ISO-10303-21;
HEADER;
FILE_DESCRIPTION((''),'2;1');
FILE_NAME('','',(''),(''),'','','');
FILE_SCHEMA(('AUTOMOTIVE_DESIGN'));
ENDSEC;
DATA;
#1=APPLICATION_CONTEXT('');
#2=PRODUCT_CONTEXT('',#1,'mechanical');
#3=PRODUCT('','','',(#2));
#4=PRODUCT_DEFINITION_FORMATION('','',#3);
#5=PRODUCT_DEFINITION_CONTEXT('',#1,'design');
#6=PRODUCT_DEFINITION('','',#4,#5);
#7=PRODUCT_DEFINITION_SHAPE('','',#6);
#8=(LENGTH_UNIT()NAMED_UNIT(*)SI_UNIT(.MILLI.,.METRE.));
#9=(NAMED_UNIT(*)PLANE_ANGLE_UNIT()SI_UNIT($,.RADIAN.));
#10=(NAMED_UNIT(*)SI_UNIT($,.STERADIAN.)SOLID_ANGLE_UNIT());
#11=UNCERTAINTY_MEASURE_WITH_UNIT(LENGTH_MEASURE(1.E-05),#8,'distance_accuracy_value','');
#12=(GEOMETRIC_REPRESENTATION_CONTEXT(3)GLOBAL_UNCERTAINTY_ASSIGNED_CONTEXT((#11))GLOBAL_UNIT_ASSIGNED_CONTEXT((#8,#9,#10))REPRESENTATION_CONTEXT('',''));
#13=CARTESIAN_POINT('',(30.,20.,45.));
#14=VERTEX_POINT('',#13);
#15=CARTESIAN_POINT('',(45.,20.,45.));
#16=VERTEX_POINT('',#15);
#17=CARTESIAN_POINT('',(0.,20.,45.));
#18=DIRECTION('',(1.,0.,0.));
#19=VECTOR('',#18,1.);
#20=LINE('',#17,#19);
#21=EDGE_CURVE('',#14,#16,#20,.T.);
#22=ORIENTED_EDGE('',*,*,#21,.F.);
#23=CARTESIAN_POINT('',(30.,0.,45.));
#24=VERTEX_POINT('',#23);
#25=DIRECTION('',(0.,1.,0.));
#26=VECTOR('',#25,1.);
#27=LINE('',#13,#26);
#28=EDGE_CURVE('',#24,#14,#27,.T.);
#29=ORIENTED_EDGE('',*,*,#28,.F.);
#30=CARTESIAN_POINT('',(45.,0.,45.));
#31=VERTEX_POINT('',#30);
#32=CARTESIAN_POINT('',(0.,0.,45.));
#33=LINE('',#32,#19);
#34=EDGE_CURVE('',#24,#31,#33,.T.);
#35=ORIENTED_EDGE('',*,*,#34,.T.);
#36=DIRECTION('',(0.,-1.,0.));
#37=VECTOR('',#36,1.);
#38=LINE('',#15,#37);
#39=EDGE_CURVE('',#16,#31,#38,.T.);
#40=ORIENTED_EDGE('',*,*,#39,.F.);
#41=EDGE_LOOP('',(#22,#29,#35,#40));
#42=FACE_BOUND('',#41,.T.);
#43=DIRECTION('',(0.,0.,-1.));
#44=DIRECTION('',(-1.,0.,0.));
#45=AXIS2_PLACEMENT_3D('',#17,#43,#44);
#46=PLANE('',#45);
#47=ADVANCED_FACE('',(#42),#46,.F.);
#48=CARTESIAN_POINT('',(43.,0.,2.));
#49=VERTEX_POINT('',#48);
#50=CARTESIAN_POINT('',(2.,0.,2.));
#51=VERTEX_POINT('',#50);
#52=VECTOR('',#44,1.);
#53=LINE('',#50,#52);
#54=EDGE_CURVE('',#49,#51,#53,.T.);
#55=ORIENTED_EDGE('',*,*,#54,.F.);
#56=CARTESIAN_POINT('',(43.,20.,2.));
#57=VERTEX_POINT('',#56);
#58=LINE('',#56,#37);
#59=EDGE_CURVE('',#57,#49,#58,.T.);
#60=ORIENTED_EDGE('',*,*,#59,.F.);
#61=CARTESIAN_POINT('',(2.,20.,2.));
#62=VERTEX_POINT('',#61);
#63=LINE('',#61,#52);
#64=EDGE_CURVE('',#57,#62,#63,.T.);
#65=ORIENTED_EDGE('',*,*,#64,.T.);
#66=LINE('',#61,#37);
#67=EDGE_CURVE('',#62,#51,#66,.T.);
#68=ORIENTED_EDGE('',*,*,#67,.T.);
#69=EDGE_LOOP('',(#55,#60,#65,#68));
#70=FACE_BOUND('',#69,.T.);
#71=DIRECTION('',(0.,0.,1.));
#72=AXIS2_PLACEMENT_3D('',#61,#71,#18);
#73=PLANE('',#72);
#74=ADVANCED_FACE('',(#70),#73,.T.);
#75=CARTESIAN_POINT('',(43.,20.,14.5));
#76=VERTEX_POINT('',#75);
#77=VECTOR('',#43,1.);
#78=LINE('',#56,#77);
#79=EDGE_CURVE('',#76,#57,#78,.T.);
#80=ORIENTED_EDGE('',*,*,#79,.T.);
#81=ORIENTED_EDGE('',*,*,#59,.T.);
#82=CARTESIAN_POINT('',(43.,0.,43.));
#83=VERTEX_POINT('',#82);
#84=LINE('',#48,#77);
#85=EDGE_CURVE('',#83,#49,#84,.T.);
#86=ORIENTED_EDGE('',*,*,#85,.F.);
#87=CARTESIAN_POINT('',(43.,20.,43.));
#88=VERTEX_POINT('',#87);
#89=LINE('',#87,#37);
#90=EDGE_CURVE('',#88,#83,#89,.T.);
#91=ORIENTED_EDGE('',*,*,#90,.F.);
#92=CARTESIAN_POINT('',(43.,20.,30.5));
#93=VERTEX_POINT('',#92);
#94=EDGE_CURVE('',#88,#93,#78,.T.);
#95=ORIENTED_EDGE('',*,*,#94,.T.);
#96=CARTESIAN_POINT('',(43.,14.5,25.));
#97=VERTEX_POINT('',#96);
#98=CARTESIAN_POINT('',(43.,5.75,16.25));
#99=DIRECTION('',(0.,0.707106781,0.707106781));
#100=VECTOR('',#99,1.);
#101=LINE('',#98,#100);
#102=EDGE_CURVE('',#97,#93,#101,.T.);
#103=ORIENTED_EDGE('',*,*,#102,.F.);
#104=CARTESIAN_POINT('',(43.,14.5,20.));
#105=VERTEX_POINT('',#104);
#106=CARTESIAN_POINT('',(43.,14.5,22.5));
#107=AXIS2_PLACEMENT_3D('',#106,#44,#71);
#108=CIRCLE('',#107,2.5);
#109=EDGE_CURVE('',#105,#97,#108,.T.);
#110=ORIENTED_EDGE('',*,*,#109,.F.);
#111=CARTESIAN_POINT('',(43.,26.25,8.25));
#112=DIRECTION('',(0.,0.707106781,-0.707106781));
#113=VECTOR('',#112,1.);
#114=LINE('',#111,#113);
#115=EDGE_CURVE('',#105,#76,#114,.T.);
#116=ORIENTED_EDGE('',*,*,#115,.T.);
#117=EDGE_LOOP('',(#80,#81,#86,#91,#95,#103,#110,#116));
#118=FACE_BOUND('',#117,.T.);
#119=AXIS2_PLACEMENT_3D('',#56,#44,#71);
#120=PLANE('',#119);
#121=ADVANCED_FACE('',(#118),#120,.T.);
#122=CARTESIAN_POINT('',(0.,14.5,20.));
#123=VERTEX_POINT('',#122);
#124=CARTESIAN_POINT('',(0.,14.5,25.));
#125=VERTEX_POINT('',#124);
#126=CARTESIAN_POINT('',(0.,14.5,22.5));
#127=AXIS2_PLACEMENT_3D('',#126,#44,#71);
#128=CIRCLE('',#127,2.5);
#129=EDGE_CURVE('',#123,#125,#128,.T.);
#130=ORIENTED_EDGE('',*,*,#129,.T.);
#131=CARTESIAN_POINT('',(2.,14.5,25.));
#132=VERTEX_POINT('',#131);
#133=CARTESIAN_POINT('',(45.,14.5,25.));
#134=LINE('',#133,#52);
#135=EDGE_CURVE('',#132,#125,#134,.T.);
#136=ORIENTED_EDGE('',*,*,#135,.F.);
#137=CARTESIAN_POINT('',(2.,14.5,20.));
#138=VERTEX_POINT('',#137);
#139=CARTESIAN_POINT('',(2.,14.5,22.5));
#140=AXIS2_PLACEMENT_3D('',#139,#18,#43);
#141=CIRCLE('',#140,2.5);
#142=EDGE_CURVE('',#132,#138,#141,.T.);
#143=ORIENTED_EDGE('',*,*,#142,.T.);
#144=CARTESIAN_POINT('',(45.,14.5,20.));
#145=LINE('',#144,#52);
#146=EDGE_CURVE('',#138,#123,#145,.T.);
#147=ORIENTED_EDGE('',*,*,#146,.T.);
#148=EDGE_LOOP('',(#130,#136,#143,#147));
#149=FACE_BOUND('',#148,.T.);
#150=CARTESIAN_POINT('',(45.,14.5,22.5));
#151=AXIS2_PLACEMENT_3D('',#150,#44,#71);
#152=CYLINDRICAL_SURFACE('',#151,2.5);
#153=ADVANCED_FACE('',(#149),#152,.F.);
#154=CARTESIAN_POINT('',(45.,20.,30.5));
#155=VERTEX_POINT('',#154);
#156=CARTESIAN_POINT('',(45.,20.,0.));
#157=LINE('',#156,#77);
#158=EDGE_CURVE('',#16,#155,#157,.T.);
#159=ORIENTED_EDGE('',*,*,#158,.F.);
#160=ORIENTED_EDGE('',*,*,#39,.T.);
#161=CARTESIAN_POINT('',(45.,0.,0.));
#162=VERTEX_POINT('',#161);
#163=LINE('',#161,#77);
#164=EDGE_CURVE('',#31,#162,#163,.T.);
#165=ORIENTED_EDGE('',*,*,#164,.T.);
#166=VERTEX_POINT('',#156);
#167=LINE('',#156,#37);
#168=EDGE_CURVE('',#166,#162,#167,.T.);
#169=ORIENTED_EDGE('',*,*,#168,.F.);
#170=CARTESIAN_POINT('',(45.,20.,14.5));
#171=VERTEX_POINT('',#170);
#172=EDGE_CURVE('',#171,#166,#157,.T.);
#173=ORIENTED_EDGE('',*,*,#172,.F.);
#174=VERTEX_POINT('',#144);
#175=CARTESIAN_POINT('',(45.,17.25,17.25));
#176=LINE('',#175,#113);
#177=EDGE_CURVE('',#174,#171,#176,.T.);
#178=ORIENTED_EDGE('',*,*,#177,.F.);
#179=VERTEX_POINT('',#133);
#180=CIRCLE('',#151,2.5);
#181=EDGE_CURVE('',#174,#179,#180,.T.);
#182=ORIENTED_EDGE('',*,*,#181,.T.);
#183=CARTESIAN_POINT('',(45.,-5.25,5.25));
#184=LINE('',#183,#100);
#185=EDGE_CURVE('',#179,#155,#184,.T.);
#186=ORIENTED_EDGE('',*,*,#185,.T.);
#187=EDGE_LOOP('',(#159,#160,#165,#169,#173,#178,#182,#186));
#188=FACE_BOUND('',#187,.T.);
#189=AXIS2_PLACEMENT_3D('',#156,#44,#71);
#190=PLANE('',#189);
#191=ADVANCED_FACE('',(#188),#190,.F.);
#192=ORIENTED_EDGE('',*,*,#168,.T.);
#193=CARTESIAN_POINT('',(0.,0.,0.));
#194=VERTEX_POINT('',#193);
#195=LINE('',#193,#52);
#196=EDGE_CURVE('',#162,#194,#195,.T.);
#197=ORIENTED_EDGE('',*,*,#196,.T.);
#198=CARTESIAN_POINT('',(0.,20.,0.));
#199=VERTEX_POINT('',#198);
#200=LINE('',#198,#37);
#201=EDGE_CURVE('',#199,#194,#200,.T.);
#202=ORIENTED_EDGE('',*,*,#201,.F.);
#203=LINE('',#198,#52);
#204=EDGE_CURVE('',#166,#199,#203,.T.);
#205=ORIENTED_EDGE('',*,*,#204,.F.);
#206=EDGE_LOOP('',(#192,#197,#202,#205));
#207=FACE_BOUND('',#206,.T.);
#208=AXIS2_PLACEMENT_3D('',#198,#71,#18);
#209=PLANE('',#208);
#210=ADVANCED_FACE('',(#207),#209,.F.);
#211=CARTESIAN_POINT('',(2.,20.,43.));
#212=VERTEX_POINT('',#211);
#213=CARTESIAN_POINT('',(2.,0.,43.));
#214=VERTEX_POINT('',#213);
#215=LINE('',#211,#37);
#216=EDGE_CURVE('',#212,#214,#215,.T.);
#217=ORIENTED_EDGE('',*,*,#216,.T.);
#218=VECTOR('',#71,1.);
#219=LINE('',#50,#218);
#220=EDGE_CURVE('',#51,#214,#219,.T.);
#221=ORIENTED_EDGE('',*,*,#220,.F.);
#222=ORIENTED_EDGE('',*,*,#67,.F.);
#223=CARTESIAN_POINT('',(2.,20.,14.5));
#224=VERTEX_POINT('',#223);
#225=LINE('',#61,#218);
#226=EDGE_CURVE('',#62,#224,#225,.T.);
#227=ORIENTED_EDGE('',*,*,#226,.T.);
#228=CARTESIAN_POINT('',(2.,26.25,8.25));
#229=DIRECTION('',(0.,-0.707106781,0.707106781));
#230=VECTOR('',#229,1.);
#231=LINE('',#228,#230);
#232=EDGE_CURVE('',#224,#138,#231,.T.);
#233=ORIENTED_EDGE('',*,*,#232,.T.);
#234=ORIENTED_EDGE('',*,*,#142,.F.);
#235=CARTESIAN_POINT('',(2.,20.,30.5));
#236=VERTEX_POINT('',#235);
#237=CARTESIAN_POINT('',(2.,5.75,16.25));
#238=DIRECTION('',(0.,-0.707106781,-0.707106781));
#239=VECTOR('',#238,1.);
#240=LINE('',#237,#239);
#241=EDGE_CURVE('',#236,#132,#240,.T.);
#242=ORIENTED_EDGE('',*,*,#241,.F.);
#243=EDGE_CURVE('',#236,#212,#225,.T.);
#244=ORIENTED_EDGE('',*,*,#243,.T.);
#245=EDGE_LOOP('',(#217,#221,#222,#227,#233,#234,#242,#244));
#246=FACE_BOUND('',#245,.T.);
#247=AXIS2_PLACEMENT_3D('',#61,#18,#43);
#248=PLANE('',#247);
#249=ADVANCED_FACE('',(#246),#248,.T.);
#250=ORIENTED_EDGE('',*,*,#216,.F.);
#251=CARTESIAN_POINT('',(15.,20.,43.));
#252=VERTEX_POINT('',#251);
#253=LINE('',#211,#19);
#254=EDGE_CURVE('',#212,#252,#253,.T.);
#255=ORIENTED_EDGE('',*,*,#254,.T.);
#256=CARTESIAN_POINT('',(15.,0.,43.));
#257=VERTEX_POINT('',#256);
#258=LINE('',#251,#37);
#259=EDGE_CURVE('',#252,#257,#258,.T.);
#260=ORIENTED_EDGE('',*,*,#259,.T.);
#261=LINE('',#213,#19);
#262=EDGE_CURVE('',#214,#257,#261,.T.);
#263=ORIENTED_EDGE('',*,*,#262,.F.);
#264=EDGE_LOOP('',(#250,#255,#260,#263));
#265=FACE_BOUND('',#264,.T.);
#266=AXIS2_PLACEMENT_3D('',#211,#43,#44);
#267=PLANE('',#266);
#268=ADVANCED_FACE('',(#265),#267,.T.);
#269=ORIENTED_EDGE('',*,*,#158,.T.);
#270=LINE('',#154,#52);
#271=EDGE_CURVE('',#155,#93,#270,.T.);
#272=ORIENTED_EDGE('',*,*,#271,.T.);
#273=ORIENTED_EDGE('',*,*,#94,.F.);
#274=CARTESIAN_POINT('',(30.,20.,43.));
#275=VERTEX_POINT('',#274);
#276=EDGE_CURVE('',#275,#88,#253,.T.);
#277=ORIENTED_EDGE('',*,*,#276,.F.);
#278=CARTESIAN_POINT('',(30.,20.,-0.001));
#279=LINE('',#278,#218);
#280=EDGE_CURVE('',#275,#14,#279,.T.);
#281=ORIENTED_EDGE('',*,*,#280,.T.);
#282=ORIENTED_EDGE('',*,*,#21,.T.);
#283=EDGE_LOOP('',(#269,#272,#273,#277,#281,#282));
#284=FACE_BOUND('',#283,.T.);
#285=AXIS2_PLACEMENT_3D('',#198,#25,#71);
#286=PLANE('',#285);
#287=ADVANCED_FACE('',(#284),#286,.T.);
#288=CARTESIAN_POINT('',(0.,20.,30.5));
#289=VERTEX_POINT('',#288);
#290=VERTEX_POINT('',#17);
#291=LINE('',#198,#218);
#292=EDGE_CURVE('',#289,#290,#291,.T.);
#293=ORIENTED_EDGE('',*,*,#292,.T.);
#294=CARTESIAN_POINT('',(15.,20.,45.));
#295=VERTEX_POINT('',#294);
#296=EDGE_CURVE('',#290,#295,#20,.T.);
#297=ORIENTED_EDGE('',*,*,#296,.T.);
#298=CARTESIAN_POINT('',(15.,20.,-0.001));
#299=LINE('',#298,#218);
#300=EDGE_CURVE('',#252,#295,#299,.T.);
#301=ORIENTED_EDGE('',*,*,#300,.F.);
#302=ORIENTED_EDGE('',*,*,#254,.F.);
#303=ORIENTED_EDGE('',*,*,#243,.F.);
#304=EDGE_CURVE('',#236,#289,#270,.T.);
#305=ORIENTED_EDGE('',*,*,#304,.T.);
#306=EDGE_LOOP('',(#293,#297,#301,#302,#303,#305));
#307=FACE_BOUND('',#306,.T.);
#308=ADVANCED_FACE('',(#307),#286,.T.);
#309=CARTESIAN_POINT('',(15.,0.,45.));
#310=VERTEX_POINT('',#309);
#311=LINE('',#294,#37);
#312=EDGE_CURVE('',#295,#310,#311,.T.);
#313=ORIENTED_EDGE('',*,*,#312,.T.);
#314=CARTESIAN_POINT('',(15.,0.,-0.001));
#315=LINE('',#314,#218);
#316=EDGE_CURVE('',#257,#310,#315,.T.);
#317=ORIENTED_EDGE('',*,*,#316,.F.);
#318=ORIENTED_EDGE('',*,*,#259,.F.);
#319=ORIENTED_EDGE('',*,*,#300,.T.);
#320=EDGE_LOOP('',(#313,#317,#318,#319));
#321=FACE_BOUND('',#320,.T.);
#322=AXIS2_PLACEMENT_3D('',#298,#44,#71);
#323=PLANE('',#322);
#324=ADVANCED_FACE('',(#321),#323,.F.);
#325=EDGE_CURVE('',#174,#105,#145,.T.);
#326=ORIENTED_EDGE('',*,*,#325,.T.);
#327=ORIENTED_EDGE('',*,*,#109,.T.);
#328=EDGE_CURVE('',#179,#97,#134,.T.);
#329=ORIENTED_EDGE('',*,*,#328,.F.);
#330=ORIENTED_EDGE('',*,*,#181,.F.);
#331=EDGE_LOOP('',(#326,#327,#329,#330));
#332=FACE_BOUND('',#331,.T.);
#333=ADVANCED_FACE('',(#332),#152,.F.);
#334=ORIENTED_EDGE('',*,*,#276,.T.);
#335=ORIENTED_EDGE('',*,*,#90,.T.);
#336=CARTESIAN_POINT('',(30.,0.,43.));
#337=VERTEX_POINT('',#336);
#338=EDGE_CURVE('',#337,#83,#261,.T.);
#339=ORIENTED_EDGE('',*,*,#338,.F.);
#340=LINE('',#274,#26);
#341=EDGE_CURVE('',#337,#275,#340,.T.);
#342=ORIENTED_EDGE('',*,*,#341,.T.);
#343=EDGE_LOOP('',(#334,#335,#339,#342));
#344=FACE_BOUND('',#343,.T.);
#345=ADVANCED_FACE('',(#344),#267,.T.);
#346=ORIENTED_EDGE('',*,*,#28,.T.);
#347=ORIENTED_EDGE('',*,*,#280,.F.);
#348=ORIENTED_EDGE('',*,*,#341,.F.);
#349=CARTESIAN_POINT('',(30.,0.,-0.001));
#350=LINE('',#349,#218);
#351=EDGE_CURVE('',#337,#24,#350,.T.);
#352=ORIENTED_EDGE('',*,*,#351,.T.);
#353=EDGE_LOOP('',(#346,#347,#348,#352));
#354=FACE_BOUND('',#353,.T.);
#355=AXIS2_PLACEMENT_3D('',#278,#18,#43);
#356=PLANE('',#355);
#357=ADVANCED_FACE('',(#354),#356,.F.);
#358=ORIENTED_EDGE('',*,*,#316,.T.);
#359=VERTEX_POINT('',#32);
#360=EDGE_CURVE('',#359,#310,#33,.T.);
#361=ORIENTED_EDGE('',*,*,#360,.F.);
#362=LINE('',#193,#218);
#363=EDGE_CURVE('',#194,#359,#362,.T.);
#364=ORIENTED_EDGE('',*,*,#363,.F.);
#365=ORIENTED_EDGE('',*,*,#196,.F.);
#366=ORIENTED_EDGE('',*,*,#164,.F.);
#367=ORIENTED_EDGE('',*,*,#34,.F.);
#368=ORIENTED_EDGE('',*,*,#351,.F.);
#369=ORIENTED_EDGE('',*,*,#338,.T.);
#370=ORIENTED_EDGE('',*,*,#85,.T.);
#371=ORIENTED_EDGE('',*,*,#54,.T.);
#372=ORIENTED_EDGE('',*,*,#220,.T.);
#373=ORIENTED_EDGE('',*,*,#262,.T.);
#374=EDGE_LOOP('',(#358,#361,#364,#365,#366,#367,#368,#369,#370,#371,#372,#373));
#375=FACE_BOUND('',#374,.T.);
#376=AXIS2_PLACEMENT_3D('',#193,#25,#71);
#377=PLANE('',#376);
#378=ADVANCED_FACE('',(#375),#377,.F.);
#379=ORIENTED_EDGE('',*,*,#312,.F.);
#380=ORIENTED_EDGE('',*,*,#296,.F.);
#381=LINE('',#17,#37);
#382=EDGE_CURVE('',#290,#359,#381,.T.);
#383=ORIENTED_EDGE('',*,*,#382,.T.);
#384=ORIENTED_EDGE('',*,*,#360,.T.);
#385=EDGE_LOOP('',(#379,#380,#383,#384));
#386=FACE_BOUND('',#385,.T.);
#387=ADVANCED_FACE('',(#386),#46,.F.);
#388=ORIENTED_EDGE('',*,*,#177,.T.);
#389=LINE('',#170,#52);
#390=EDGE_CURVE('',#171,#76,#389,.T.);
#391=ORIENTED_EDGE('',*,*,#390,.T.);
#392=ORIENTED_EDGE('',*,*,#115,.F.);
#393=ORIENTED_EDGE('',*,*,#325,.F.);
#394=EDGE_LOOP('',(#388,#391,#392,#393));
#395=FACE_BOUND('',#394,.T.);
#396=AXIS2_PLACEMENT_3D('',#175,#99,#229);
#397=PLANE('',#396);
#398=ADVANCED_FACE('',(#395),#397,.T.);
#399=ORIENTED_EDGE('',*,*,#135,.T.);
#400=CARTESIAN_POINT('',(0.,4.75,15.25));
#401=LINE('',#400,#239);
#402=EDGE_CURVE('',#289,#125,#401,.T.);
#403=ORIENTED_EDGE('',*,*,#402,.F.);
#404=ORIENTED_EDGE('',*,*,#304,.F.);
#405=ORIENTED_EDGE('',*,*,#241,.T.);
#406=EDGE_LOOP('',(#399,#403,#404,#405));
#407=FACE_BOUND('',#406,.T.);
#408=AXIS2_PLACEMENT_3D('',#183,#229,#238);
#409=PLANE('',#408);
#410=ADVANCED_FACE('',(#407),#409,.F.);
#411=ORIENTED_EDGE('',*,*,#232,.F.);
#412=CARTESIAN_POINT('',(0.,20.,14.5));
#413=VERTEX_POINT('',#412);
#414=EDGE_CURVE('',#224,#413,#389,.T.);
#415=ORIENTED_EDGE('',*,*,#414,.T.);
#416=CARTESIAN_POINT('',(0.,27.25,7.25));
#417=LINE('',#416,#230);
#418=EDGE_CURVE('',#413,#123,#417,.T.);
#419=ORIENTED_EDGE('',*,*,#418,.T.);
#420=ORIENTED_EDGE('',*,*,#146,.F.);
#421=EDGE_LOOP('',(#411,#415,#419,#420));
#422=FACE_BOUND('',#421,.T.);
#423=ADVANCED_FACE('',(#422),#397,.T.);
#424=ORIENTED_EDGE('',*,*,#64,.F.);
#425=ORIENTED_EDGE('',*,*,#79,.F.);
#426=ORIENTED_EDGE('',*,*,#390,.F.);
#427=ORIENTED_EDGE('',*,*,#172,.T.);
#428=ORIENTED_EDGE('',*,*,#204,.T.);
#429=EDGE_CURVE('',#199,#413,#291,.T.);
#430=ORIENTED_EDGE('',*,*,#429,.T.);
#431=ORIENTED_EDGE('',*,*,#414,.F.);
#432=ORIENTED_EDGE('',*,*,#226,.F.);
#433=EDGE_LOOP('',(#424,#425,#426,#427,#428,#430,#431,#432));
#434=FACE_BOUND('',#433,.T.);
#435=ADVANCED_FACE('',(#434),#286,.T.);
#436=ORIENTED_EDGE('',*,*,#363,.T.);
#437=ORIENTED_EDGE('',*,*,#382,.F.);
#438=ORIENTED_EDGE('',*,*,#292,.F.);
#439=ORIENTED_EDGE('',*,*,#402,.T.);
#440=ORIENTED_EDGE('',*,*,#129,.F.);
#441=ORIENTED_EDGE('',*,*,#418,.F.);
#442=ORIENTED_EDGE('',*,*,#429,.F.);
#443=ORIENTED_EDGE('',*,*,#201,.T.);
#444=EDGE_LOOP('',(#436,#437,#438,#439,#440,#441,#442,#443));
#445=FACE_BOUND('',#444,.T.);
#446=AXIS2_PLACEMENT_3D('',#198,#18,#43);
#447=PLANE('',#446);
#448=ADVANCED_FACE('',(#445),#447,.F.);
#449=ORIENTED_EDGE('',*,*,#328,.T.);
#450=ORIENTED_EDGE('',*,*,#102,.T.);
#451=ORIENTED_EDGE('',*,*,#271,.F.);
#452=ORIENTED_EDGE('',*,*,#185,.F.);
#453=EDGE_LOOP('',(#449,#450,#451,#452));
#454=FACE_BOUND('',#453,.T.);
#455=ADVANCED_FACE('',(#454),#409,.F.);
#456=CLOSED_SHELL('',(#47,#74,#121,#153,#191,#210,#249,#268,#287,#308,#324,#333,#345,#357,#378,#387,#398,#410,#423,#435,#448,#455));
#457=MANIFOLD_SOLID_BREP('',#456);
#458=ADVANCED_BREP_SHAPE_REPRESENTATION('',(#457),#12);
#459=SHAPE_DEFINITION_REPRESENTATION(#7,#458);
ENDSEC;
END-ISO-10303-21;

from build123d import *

# Parameters (mm, degrees)
SKICA1_W                      = 45
SKICA1_H                      = 45
SKICA1_W_2                    = 41
SKICA1_H_2                    = 41
P_IDAT_VYSUNUT_M1_DEPTH       = 20
ODEBRAT_VYSUNUT_M1_REACH      = 68.708
SKICA2_W                      = 15
SKICA2_H                      = 20
ODEBRAT_VYSUNUT_M2_DEPTH      = 67.708320321
ODEBRAT_VYSUNUT_M2_DEPTH_BACK = 67.708320321


with BuildPart() as part:
    # Skica1 → Přidat vysunutím1 (new body)
    with BuildSketch(Plane(origin=(0, 0, 0), x_dir=(1, 0, 0), z_dir=(0, 1, 0))):
        with Locations((22.5, -22.5)):
            Rectangle(SKICA1_W, SKICA1_H)
        with Locations((22.5, -22.5)):
            Rectangle(SKICA1_W_2, SKICA1_H_2, mode=Mode.SUBTRACT)
    extrude(amount=P_IDAT_VYSUNUT_M1_DEPTH)

    # Skica2 → Odebrat vysunutím1 (cut, up to next)
    with BuildSketch(Plane.XY.offset(45), mode=Mode.PRIVATE) as odebrat_vysunut_m1_sk1:
        with Locations((22.5, 10)):
            Rectangle(SKICA2_W, SKICA2_H)
    odebrat_vysunut_m1_tool1 = extrude(odebrat_vysunut_m1_sk1.sketch, amount=-ODEBRAT_VYSUNUT_M1_REACH, mode=Mode.PRIVATE) & part.part
    add(odebrat_vysunut_m1_tool1.solids().sort_by_distance((22.5, 10, 45))[0], mode=Mode.SUBTRACT)

    # Skica3 → Odebrat vysunutím2 (cut, two sides: drawn at the far end of the back side and taken through both)
    with BuildSketch(Plane.ZY.offset(-ODEBRAT_VYSUNUT_M2_DEPTH_BACK)):
        with BuildLine():
            ThreePointArc((25, 14.5), (24.267766953, 16.267766953), (22.5, 17))
            Line((22.5, 17), (22.5, 14.5))
            Line((22.5, 14.5), (25, 14.5))
        make_face()
        with BuildLine():
            Line((22.5, 14.5), (22.5, 17))
            ThreePointArc((22.5, 17), (20.732233047, 16.267766953), (20, 14.5))
            Line((20, 14.5), (22.5, 14.5))
        make_face()
        with BuildLine():
            Line((25, 14.5), (22.5, 14.5))
            Line((22.5, 14.5), (22.5, 12))
            ThreePointArc((22.5, 12), (24.267766953, 12.732233047), (25, 14.5))
        make_face()
        with BuildLine():
            Line((22.5, 12), (22.5, 14.5))
            Line((22.5, 14.5), (20, 14.5))
            ThreePointArc((20, 14.5), (20.732233047, 12.732233047), (22.5, 12))
        make_face()
        with BuildLine():
            Line((30.5, 20), (22.5, 20))
            Line((22.5, 20), (22.5, 17))
            ThreePointArc((22.5, 17), (24.267766953, 16.267766953), (25, 14.5))
            Line((25, 14.5), (30.5, 20))
        make_face()
        with BuildLine():
            Line((22.5, 17), (22.5, 20))
            Line((22.5, 20), (14.5, 20))
            Line((14.5, 20), (20, 14.5))
            ThreePointArc((20, 14.5), (20.732233047, 16.267766953), (22.5, 17))
        make_face()
    extrude(amount=ODEBRAT_VYSUNUT_M2_DEPTH + ODEBRAT_VYSUNUT_M2_DEPTH_BACK, mode=Mode.SUBTRACT)


solid = part.part
